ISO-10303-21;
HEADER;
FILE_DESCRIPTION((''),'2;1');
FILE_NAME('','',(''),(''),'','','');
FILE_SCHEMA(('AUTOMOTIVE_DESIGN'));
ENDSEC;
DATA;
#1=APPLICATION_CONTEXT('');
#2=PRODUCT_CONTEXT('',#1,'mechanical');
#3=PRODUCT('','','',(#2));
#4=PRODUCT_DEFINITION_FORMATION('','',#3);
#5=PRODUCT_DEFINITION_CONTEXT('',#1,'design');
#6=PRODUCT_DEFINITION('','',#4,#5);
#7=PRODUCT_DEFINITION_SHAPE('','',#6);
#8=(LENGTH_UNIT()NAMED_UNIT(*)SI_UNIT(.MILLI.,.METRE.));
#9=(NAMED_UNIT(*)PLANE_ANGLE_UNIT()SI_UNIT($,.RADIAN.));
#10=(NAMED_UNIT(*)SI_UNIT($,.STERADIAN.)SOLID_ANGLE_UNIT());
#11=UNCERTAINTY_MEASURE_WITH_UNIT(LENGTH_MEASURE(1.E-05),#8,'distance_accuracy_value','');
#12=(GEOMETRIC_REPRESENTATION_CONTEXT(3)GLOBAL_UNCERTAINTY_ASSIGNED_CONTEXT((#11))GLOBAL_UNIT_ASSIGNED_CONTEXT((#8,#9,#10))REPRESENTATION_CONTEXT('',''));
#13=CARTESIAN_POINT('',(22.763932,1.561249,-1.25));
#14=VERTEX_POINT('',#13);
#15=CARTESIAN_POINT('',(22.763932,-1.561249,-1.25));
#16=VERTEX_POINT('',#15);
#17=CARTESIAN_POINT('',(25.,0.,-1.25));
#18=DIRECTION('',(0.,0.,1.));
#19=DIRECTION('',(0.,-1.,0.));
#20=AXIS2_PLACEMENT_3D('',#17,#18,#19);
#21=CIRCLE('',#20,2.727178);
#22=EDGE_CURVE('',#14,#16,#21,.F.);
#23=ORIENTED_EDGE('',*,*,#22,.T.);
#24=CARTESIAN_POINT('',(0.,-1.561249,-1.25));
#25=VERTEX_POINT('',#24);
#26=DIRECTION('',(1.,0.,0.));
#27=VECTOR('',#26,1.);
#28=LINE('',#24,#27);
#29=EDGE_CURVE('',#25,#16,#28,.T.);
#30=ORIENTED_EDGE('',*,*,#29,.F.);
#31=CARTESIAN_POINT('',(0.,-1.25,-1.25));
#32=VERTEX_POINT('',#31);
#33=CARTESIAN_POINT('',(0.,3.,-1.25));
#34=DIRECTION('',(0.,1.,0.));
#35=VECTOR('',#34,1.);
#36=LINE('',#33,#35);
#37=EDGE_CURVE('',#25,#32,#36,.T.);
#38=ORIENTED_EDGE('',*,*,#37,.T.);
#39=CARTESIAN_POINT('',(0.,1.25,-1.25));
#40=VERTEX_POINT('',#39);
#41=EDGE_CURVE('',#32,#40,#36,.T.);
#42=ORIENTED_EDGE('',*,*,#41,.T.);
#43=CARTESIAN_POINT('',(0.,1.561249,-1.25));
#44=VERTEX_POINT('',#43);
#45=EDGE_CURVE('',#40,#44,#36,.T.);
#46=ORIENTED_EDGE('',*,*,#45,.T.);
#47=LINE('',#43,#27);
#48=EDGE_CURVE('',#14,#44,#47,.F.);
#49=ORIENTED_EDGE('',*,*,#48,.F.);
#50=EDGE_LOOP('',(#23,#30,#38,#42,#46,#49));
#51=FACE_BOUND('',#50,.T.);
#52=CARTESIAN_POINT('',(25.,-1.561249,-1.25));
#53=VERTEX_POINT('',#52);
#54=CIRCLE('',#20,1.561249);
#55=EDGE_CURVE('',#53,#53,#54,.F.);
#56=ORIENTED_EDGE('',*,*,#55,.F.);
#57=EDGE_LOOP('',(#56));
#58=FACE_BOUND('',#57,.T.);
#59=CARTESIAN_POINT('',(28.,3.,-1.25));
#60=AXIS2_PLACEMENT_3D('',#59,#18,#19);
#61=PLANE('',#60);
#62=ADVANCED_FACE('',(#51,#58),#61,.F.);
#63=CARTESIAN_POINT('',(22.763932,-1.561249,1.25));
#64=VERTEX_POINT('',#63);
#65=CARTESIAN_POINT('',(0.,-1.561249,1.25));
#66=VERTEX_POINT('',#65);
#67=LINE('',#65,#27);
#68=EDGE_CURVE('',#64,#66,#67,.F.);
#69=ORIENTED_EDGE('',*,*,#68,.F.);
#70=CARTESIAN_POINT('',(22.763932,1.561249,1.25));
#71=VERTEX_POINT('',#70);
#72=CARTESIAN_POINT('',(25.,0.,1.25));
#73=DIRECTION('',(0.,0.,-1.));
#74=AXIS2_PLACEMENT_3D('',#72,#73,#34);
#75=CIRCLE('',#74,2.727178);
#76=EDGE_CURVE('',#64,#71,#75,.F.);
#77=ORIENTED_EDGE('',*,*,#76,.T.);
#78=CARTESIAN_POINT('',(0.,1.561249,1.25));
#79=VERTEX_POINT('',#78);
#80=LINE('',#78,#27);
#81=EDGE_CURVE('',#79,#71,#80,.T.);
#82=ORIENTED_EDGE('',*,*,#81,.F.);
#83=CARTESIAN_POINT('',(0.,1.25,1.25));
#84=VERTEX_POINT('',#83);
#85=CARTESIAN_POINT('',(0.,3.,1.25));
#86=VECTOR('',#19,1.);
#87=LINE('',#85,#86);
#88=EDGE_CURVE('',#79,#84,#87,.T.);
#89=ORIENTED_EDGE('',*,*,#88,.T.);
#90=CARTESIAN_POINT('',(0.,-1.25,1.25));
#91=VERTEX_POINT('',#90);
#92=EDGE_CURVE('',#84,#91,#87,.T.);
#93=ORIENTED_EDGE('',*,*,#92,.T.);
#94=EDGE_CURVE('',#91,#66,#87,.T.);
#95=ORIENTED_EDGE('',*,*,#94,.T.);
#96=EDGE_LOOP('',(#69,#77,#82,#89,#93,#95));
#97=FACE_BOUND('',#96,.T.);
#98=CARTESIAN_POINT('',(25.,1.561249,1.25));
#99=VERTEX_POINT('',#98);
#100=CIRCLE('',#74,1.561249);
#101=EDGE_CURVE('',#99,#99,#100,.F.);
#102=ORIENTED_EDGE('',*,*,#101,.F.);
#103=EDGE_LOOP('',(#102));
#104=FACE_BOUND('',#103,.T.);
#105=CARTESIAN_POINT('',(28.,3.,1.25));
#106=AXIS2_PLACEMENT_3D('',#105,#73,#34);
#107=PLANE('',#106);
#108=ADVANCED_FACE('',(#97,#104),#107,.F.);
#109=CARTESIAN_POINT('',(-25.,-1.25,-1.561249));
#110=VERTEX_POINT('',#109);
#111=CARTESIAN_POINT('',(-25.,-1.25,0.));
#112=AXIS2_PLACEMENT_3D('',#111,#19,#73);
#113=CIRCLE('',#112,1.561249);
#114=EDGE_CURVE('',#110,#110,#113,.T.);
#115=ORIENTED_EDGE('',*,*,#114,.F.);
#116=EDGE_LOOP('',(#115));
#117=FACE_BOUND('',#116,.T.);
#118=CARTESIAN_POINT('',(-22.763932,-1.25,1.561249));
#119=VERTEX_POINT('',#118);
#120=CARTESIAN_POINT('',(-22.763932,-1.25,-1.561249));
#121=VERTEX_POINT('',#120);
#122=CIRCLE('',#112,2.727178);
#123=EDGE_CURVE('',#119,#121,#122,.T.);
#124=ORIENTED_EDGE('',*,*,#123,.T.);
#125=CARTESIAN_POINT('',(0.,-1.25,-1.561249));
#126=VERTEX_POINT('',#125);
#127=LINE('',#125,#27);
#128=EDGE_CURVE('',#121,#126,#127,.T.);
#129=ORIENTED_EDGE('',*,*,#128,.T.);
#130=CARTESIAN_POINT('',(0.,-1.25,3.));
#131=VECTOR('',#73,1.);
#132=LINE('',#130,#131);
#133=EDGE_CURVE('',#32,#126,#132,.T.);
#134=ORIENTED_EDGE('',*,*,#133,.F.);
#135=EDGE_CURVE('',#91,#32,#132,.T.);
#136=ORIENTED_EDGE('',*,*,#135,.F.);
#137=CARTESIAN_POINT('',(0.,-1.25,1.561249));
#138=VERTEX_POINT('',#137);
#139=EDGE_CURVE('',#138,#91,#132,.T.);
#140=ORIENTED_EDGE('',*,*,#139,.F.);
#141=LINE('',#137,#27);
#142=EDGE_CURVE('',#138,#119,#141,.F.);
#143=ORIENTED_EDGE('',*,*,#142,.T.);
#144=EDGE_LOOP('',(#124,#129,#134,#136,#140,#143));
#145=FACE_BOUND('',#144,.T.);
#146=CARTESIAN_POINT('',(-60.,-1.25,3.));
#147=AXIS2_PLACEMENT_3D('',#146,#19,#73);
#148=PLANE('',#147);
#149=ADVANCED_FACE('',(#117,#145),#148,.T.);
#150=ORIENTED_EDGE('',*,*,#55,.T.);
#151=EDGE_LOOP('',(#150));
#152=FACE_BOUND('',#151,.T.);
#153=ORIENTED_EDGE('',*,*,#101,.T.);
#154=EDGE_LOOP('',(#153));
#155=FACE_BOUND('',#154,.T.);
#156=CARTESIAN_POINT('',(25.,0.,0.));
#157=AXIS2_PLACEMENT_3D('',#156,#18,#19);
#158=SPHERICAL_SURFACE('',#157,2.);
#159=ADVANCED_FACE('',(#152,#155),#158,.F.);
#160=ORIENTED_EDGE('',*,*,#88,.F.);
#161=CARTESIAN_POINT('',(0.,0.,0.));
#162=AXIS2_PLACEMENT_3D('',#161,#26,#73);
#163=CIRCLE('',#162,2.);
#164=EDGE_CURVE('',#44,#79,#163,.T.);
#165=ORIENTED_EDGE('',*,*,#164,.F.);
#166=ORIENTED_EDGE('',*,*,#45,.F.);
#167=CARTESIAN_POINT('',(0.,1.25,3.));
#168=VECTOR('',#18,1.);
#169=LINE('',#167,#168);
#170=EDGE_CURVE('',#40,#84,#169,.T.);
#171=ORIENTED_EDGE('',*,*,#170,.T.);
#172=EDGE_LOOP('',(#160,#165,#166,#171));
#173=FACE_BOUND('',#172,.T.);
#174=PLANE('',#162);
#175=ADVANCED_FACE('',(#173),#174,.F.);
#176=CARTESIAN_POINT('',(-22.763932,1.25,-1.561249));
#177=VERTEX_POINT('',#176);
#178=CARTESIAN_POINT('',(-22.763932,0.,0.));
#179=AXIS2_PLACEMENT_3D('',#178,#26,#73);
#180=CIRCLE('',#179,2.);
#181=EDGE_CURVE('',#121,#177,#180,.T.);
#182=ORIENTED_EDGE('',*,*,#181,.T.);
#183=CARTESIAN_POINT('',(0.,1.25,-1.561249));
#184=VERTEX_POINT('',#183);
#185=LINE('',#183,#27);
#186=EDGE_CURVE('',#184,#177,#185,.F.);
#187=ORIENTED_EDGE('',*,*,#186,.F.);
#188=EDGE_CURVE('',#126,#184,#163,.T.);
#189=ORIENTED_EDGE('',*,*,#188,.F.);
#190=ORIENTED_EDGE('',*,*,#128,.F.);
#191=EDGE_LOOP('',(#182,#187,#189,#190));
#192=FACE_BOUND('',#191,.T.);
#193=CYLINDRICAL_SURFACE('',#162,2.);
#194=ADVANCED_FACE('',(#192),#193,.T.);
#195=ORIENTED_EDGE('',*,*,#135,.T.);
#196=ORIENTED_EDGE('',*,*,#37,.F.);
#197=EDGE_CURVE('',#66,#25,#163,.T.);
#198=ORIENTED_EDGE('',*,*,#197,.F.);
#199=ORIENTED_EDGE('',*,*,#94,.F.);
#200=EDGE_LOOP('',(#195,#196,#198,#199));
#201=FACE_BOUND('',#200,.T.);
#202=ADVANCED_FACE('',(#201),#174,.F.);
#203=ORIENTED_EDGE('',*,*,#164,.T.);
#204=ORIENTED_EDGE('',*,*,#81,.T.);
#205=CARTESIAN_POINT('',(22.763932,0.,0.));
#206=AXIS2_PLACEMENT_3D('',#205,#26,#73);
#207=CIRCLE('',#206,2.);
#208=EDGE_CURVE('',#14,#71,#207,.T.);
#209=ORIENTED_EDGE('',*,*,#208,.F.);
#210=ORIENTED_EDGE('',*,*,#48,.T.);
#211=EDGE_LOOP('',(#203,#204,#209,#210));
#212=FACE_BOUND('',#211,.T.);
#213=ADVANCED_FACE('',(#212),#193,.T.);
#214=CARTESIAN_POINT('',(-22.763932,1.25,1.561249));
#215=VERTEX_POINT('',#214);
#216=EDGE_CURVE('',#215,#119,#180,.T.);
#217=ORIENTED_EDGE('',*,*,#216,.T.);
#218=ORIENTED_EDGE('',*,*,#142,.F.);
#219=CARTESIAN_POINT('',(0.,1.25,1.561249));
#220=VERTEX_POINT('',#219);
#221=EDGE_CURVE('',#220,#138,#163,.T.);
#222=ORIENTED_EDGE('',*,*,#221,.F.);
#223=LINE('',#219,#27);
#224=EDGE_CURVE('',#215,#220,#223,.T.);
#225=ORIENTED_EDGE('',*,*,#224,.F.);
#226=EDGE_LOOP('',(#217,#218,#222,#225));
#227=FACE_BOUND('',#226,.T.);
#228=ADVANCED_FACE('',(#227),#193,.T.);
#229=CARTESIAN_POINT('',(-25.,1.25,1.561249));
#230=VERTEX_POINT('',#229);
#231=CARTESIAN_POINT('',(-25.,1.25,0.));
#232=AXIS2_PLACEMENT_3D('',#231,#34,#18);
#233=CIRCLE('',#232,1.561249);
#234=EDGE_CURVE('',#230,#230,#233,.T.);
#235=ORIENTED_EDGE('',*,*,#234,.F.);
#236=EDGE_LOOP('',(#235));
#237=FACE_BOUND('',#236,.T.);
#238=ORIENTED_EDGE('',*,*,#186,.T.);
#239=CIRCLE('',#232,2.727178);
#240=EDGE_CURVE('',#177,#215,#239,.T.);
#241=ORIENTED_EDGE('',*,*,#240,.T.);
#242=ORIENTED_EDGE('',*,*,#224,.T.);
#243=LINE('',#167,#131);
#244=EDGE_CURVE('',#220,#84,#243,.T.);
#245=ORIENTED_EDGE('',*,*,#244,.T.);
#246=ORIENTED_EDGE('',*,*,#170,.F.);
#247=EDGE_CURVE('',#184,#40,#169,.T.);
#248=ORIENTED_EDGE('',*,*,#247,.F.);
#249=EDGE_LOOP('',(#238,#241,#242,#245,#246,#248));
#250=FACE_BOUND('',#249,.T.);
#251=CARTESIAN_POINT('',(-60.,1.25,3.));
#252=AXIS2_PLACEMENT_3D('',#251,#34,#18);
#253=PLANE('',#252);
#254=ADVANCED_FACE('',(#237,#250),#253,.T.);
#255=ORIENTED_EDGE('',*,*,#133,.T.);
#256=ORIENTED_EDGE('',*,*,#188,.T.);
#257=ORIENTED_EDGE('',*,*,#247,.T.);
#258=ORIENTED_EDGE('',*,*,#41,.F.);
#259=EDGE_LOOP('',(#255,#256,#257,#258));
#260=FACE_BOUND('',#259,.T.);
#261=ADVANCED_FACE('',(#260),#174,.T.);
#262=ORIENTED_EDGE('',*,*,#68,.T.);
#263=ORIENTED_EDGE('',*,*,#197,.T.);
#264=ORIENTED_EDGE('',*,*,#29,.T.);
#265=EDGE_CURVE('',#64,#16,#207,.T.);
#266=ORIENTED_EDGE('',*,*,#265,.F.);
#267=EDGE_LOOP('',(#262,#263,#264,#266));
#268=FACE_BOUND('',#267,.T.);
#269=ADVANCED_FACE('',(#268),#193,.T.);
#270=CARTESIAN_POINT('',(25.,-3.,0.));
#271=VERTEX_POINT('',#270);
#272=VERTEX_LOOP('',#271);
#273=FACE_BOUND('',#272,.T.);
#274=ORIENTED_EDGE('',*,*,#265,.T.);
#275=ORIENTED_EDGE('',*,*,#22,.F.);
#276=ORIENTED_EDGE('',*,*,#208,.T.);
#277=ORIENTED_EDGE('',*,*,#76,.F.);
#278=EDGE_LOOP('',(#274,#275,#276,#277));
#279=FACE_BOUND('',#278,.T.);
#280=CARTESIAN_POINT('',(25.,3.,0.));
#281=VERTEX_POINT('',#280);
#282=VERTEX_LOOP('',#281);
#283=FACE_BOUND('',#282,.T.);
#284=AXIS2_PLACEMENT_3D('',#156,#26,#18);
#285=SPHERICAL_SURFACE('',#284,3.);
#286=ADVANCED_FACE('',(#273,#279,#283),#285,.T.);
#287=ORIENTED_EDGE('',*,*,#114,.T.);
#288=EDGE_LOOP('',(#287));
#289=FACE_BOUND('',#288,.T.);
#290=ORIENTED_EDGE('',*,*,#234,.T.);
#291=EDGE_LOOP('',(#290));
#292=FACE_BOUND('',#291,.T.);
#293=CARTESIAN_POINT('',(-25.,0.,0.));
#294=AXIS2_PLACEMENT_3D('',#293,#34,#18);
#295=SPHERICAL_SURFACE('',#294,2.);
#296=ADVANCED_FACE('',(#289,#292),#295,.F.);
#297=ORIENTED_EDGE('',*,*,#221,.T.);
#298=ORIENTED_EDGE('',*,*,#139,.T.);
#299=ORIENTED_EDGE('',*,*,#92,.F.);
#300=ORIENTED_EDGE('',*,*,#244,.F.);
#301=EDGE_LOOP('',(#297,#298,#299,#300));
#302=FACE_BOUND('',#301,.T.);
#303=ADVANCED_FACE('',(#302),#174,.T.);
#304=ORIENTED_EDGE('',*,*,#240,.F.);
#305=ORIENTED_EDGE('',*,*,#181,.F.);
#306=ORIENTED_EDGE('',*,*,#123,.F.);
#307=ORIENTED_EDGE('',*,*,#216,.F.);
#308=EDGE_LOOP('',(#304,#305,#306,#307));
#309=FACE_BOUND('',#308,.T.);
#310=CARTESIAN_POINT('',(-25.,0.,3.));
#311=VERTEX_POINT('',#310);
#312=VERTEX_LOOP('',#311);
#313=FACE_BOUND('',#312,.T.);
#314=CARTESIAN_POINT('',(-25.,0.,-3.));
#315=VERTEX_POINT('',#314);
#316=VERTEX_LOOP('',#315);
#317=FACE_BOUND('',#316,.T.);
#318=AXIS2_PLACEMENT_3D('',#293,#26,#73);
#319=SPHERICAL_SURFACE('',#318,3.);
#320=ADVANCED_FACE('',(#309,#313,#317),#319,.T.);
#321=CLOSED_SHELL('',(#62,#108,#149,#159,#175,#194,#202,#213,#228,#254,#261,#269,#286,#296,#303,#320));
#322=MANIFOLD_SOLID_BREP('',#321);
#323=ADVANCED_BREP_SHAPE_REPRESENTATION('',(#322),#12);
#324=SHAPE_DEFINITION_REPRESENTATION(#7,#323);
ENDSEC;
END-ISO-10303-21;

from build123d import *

# Parameters (mm, degrees)
SKETCH3_OUTSIDE_W   = 19.328
SKETCH3_OUTSIDE_H   = 19.328
SKETCH3_OUTSIDE_W_2 = 6
SKETCH3_OUTSIDE_H_2 = 2.5
CUT_EXTRUDE2_DEPTH  = 60
SKETCH5_OUTSIDE_W   = 19.328
SKETCH5_OUTSIDE_H   = 19.328
SKETCH5_OUTSIDE_W_2 = 2.5
SKETCH5_OUTSIDE_H_2 = 6
CUT_EXTRUDE3_DEPTH  = 29


with BuildPart() as part:
    # Sketch2 → Revolve1 (revolve)
    with BuildSketch(Plane(origin=(0, 0, 0), x_dir=(1, 0, 0), z_dir=(0, 1, 0))):
        with BuildLine():
            Line((-27, 0), (-28, 0))
            ThreePointArc((-28, 0), (-26.070466269, -2.802517077), (-22.763932023, -2))
            Line((-22.763932023, -2), (0, -2))
            Line((0, -2), (0, 0))
            Line((0, 0), (-23, 0))
            ThreePointArc((-23, 0), (-25, -2), (-27, 0))
        make_face()
        with BuildLine():
            Line((0, 0), (0, -2))
            Line((0, -2), (22.763932023, -2))
            ThreePointArc((22.763932023, -2), (26.070466269, -2.802517077), (28, 0))
            Line((28, 0), (27, 0))
            ThreePointArc((27, 0), (25, -2), (23, 0))
            Line((23, 0), (0, 0))
        make_face()
    revolve(axis=Axis((0, 0, 0), (-1, 0, 0)))

    # Sketch3 outside → Cut-Extrude2 (cut)
    with BuildSketch(Plane(origin=(0, 0, 0), x_dir=(0, 0, -1), z_dir=(1, 0, 0))):
        Rectangle(SKETCH3_OUTSIDE_W, SKETCH3_OUTSIDE_H)
        Rectangle(SKETCH3_OUTSIDE_W_2, SKETCH3_OUTSIDE_H_2, mode=Mode.SUBTRACT)
    extrude(amount=-CUT_EXTRUDE2_DEPTH, mode=Mode.SUBTRACT)

    # Sketch5 outside → Cut-Extrude3 (cut, through all)
    with BuildSketch(Plane(origin=(0, 0, 0), x_dir=(0, 0, -1), z_dir=(1, 0, 0))):
        Rectangle(SKETCH5_OUTSIDE_W, SKETCH5_OUTSIDE_H)
        Rectangle(SKETCH5_OUTSIDE_W_2, SKETCH5_OUTSIDE_H_2, mode=Mode.SUBTRACT)
    extrude(amount=CUT_EXTRUDE3_DEPTH, mode=Mode.SUBTRACT)


solid = part.part
